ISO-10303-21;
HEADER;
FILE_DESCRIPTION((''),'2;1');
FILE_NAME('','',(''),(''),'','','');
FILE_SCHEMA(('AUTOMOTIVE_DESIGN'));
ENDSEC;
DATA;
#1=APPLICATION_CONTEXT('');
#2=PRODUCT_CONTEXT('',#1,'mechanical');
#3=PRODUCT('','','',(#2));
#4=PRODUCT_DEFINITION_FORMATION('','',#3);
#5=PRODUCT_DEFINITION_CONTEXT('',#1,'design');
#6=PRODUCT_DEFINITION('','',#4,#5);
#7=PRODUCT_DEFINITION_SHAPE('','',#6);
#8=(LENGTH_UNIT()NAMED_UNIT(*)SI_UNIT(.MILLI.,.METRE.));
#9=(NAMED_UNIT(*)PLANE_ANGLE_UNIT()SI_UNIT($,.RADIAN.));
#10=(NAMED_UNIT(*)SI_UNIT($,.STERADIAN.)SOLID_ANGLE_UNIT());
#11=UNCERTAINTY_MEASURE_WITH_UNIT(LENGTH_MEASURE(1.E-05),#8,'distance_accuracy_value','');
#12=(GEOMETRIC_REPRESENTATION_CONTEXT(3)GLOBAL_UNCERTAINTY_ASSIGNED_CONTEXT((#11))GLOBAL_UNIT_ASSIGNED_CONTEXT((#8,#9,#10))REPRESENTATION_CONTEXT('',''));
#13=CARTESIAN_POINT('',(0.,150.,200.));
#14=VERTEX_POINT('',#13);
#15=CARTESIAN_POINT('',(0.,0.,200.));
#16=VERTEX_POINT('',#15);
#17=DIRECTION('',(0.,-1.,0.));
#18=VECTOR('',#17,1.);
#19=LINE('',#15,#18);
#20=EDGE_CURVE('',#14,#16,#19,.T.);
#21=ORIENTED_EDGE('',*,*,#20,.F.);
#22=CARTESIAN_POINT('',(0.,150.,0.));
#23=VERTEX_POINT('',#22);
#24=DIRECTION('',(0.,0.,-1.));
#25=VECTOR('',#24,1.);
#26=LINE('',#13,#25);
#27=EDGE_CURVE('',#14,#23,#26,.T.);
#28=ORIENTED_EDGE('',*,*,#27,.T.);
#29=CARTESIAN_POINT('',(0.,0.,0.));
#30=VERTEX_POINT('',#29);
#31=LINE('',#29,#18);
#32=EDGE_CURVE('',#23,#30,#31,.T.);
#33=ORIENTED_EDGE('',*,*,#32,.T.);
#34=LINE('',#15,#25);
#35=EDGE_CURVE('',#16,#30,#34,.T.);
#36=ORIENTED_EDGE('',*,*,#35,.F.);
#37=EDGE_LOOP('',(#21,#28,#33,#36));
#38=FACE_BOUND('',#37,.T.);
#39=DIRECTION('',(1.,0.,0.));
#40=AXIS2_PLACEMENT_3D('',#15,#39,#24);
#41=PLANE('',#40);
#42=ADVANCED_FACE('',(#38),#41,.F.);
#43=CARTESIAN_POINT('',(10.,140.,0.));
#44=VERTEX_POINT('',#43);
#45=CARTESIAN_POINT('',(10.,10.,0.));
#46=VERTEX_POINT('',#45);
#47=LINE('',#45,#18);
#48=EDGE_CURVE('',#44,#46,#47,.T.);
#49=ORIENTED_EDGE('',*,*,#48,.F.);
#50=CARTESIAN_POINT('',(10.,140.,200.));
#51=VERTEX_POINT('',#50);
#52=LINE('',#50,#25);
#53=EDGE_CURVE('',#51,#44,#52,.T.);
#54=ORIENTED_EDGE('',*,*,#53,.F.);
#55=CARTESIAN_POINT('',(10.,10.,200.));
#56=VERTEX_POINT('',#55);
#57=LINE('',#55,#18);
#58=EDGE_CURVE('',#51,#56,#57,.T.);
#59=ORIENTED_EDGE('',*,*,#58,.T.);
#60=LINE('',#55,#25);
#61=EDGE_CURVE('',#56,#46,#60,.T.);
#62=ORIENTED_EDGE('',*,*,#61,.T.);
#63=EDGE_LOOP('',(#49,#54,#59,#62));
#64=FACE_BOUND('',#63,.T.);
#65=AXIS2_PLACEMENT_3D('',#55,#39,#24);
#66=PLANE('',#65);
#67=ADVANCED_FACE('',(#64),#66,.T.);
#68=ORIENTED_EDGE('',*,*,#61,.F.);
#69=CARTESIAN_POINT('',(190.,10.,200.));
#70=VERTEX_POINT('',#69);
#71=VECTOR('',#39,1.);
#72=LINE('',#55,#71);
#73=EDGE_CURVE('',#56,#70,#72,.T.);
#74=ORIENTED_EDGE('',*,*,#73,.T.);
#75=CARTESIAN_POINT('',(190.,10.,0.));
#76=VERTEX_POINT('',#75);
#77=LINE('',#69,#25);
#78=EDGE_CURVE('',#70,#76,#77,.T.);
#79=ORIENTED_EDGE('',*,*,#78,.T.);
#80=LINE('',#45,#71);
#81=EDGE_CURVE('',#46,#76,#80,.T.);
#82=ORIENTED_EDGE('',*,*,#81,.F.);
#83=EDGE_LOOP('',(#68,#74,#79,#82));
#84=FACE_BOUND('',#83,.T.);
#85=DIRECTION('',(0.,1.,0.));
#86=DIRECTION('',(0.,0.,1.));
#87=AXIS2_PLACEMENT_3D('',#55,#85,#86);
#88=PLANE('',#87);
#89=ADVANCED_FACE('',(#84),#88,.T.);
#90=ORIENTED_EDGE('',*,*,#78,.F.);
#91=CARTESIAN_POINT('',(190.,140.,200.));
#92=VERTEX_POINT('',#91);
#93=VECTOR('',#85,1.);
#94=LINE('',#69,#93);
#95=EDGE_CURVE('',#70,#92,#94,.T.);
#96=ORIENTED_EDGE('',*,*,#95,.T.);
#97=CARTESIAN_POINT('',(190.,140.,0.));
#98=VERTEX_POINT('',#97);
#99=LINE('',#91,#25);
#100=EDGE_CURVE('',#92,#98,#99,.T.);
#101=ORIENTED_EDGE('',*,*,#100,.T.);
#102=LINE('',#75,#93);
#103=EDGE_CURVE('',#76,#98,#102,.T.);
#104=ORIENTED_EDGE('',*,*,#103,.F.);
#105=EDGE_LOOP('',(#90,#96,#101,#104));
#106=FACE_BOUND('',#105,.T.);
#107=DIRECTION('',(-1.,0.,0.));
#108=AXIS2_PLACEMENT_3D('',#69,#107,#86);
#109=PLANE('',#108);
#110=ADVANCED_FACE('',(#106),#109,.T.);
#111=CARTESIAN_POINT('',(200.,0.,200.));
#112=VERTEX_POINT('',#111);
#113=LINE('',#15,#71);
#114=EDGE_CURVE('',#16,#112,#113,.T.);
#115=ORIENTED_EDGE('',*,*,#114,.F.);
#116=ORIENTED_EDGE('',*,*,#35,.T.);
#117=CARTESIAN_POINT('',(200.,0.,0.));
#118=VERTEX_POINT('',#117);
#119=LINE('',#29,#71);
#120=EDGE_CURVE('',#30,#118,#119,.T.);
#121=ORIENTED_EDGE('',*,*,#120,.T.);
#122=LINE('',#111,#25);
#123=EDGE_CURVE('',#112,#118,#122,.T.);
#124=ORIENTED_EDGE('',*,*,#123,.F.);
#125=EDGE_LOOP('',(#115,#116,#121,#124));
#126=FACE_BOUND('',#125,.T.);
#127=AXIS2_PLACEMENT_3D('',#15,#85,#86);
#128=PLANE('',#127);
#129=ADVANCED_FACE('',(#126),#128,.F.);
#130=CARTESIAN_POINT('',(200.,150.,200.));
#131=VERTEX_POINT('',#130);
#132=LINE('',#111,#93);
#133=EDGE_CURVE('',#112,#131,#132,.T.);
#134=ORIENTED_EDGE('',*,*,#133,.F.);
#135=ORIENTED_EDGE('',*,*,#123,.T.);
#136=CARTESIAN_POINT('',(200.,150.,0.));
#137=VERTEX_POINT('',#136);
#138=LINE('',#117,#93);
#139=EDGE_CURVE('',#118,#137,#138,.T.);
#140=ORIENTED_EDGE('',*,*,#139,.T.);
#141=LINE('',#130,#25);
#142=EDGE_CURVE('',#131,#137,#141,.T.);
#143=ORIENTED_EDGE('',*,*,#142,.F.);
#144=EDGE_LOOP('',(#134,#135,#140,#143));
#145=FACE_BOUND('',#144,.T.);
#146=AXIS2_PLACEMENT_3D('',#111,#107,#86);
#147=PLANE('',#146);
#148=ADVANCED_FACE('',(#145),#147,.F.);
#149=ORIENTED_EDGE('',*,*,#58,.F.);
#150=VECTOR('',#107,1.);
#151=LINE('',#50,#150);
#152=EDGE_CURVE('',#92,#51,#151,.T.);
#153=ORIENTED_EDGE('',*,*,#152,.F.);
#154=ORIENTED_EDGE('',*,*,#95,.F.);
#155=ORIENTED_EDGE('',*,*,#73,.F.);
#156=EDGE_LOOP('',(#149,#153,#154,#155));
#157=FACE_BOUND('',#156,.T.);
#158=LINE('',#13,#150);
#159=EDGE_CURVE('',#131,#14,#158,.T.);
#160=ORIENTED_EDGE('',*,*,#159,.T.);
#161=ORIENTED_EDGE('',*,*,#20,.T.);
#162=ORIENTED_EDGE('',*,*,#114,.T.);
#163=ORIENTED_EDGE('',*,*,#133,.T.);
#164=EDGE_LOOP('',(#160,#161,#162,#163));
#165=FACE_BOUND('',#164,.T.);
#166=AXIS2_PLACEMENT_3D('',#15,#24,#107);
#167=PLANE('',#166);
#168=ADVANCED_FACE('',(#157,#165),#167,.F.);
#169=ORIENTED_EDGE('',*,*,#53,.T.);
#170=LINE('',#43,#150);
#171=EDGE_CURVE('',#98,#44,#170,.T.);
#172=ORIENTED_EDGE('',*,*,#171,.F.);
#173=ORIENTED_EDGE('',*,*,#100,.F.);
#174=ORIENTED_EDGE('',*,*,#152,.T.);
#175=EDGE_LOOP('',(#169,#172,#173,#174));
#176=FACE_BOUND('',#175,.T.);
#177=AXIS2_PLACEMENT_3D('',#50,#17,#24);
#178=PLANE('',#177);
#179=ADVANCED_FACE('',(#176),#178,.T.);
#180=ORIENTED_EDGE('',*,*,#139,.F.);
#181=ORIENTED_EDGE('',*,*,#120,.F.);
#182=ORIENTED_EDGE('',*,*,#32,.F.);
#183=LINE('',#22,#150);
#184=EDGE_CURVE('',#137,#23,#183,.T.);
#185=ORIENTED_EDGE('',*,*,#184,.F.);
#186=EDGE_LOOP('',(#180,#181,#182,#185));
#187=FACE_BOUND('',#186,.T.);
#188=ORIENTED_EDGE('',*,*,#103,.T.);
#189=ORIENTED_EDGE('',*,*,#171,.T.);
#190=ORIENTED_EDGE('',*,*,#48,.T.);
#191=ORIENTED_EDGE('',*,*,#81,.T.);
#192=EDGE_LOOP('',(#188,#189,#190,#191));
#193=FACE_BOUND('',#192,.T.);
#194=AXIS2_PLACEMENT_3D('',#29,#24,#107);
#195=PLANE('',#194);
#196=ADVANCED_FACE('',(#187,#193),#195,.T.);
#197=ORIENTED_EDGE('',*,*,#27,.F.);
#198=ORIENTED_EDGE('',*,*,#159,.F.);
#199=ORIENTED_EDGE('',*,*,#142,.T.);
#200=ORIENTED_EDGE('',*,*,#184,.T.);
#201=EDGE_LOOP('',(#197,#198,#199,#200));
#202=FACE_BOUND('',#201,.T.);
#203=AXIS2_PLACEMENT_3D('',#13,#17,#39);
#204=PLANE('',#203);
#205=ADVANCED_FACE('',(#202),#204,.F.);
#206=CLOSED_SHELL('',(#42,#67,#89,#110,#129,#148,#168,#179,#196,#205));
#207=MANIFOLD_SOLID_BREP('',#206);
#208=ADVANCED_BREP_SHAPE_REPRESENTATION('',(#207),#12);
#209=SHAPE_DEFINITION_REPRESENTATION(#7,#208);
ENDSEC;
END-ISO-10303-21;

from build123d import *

# Parameters (mm, degrees)
ESQUISSE1_W        = 200
ESQUISSE1_H        = 150
ESQUISSE1_W_2      = 180
ESQUISSE1_H_2      = 130
BOSS_EXTRU_1_DEPTH = 200


with BuildPart() as part:
    # Esquisse1 → Boss.-Extru.1 (new body)
    with BuildSketch(Plane.XY):
        with Locations((100, 75)):
            Rectangle(ESQUISSE1_W, ESQUISSE1_H)
        with Locations((100, 75)):
            Rectangle(ESQUISSE1_W_2, ESQUISSE1_H_2, mode=Mode.SUBTRACT)
    extrude(amount=BOSS_EXTRU_1_DEPTH)


solid = part.part
